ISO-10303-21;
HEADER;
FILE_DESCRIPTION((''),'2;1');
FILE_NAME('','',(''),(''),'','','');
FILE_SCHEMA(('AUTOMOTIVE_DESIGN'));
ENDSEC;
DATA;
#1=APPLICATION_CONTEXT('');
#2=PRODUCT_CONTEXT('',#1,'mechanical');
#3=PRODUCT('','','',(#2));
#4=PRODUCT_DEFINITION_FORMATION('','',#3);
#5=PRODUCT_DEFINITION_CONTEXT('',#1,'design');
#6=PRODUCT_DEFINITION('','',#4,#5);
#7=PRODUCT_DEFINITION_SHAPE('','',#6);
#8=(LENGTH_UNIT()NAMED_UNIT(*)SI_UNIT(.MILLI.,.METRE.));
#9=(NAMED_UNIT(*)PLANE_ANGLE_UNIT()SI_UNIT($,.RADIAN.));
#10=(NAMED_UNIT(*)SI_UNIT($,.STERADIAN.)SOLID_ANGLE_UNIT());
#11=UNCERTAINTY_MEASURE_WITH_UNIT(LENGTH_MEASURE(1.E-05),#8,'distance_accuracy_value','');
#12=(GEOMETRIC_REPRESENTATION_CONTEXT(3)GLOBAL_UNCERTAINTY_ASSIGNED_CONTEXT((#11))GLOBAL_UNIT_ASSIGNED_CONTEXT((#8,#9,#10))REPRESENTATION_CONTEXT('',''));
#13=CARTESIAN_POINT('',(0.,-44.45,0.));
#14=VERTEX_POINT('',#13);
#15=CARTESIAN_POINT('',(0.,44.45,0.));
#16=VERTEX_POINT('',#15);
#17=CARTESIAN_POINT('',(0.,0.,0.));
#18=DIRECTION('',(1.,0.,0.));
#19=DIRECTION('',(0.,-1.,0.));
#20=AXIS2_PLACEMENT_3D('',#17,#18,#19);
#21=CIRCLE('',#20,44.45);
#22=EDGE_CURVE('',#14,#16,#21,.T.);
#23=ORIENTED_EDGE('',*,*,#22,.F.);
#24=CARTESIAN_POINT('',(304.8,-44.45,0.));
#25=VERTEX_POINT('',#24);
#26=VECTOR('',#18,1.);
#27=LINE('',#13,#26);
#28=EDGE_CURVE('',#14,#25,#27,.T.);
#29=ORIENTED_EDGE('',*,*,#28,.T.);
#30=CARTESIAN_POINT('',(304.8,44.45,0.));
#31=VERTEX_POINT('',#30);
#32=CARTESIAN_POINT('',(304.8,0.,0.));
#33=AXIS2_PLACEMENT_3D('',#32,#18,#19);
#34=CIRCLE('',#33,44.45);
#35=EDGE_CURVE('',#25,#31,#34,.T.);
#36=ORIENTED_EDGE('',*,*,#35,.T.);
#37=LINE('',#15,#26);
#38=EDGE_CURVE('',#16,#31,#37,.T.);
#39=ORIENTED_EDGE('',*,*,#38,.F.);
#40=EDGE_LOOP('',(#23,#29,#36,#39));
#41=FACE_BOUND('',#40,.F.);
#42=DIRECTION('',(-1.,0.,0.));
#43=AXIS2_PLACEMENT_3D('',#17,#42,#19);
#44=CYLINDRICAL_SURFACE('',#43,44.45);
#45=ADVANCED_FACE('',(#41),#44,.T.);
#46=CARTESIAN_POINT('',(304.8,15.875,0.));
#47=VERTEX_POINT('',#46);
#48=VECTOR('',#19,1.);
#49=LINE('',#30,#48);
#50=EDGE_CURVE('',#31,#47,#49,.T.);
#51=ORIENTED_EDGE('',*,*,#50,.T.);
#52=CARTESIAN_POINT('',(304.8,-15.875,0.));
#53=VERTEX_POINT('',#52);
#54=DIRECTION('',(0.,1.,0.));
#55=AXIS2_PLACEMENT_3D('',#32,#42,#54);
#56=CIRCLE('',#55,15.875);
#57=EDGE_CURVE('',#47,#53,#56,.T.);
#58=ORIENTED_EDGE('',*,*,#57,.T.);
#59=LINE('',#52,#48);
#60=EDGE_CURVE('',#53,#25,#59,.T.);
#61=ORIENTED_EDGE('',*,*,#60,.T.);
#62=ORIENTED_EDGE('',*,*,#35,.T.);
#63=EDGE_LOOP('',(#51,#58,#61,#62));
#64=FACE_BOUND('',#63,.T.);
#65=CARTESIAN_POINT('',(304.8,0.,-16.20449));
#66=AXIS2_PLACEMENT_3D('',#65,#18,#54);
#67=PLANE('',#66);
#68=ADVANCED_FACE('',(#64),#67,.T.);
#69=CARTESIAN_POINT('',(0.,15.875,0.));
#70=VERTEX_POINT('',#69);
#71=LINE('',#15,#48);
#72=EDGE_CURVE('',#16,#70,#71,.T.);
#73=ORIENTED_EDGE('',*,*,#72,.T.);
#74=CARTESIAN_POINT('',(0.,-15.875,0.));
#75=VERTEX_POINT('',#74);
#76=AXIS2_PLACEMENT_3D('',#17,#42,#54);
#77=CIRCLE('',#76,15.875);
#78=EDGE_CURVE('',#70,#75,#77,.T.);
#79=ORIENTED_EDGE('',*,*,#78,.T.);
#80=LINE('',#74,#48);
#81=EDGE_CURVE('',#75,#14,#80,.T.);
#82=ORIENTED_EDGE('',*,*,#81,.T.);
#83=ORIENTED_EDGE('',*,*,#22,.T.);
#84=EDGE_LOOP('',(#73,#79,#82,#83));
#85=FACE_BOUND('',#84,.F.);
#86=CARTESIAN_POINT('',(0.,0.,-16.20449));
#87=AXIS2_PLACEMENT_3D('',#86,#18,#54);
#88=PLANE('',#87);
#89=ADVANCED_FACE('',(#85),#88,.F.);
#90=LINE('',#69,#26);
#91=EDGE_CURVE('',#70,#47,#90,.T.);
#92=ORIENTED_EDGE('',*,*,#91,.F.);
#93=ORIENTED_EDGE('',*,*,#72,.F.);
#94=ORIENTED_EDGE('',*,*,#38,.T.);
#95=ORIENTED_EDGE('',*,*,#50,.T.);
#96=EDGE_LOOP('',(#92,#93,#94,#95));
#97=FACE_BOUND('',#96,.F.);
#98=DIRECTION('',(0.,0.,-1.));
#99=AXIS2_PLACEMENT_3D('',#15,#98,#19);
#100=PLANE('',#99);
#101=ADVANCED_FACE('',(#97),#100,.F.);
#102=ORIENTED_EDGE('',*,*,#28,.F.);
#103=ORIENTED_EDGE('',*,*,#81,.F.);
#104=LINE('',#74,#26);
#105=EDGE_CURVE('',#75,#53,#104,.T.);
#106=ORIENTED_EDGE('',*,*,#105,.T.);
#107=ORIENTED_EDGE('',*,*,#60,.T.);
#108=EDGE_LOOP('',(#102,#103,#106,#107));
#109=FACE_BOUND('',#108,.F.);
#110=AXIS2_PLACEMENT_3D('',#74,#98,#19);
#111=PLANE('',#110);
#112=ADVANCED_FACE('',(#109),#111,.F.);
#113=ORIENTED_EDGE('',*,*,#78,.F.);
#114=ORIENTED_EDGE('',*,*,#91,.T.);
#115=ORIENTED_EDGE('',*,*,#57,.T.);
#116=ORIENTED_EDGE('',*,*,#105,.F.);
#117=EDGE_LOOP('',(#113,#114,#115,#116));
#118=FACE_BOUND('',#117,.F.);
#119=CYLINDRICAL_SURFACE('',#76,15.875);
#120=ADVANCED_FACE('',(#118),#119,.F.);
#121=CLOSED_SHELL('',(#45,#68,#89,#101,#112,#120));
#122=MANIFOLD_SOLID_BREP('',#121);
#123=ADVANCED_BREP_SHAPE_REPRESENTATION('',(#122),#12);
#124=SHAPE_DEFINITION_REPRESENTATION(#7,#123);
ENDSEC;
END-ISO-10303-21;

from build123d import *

# Parameters (mm, degrees)
F1_DEPTH = 304.8


with BuildPart() as f1:
    # F0 (on Right) → F1 (new body)
    with BuildSketch(Plane.YZ):
        with BuildLine():
            Line((-15.875, 0), (-44.45, 0))
            ThreePointArc((-44.45, 0), (0, -44.45), (44.45, 0))
            Line((44.45, 0), (15.875, 0))
            ThreePointArc((15.875, 0), (0, -15.875), (-15.875, 0))
        make_face()
    extrude(amount=F1_DEPTH)


solid = f1.part
